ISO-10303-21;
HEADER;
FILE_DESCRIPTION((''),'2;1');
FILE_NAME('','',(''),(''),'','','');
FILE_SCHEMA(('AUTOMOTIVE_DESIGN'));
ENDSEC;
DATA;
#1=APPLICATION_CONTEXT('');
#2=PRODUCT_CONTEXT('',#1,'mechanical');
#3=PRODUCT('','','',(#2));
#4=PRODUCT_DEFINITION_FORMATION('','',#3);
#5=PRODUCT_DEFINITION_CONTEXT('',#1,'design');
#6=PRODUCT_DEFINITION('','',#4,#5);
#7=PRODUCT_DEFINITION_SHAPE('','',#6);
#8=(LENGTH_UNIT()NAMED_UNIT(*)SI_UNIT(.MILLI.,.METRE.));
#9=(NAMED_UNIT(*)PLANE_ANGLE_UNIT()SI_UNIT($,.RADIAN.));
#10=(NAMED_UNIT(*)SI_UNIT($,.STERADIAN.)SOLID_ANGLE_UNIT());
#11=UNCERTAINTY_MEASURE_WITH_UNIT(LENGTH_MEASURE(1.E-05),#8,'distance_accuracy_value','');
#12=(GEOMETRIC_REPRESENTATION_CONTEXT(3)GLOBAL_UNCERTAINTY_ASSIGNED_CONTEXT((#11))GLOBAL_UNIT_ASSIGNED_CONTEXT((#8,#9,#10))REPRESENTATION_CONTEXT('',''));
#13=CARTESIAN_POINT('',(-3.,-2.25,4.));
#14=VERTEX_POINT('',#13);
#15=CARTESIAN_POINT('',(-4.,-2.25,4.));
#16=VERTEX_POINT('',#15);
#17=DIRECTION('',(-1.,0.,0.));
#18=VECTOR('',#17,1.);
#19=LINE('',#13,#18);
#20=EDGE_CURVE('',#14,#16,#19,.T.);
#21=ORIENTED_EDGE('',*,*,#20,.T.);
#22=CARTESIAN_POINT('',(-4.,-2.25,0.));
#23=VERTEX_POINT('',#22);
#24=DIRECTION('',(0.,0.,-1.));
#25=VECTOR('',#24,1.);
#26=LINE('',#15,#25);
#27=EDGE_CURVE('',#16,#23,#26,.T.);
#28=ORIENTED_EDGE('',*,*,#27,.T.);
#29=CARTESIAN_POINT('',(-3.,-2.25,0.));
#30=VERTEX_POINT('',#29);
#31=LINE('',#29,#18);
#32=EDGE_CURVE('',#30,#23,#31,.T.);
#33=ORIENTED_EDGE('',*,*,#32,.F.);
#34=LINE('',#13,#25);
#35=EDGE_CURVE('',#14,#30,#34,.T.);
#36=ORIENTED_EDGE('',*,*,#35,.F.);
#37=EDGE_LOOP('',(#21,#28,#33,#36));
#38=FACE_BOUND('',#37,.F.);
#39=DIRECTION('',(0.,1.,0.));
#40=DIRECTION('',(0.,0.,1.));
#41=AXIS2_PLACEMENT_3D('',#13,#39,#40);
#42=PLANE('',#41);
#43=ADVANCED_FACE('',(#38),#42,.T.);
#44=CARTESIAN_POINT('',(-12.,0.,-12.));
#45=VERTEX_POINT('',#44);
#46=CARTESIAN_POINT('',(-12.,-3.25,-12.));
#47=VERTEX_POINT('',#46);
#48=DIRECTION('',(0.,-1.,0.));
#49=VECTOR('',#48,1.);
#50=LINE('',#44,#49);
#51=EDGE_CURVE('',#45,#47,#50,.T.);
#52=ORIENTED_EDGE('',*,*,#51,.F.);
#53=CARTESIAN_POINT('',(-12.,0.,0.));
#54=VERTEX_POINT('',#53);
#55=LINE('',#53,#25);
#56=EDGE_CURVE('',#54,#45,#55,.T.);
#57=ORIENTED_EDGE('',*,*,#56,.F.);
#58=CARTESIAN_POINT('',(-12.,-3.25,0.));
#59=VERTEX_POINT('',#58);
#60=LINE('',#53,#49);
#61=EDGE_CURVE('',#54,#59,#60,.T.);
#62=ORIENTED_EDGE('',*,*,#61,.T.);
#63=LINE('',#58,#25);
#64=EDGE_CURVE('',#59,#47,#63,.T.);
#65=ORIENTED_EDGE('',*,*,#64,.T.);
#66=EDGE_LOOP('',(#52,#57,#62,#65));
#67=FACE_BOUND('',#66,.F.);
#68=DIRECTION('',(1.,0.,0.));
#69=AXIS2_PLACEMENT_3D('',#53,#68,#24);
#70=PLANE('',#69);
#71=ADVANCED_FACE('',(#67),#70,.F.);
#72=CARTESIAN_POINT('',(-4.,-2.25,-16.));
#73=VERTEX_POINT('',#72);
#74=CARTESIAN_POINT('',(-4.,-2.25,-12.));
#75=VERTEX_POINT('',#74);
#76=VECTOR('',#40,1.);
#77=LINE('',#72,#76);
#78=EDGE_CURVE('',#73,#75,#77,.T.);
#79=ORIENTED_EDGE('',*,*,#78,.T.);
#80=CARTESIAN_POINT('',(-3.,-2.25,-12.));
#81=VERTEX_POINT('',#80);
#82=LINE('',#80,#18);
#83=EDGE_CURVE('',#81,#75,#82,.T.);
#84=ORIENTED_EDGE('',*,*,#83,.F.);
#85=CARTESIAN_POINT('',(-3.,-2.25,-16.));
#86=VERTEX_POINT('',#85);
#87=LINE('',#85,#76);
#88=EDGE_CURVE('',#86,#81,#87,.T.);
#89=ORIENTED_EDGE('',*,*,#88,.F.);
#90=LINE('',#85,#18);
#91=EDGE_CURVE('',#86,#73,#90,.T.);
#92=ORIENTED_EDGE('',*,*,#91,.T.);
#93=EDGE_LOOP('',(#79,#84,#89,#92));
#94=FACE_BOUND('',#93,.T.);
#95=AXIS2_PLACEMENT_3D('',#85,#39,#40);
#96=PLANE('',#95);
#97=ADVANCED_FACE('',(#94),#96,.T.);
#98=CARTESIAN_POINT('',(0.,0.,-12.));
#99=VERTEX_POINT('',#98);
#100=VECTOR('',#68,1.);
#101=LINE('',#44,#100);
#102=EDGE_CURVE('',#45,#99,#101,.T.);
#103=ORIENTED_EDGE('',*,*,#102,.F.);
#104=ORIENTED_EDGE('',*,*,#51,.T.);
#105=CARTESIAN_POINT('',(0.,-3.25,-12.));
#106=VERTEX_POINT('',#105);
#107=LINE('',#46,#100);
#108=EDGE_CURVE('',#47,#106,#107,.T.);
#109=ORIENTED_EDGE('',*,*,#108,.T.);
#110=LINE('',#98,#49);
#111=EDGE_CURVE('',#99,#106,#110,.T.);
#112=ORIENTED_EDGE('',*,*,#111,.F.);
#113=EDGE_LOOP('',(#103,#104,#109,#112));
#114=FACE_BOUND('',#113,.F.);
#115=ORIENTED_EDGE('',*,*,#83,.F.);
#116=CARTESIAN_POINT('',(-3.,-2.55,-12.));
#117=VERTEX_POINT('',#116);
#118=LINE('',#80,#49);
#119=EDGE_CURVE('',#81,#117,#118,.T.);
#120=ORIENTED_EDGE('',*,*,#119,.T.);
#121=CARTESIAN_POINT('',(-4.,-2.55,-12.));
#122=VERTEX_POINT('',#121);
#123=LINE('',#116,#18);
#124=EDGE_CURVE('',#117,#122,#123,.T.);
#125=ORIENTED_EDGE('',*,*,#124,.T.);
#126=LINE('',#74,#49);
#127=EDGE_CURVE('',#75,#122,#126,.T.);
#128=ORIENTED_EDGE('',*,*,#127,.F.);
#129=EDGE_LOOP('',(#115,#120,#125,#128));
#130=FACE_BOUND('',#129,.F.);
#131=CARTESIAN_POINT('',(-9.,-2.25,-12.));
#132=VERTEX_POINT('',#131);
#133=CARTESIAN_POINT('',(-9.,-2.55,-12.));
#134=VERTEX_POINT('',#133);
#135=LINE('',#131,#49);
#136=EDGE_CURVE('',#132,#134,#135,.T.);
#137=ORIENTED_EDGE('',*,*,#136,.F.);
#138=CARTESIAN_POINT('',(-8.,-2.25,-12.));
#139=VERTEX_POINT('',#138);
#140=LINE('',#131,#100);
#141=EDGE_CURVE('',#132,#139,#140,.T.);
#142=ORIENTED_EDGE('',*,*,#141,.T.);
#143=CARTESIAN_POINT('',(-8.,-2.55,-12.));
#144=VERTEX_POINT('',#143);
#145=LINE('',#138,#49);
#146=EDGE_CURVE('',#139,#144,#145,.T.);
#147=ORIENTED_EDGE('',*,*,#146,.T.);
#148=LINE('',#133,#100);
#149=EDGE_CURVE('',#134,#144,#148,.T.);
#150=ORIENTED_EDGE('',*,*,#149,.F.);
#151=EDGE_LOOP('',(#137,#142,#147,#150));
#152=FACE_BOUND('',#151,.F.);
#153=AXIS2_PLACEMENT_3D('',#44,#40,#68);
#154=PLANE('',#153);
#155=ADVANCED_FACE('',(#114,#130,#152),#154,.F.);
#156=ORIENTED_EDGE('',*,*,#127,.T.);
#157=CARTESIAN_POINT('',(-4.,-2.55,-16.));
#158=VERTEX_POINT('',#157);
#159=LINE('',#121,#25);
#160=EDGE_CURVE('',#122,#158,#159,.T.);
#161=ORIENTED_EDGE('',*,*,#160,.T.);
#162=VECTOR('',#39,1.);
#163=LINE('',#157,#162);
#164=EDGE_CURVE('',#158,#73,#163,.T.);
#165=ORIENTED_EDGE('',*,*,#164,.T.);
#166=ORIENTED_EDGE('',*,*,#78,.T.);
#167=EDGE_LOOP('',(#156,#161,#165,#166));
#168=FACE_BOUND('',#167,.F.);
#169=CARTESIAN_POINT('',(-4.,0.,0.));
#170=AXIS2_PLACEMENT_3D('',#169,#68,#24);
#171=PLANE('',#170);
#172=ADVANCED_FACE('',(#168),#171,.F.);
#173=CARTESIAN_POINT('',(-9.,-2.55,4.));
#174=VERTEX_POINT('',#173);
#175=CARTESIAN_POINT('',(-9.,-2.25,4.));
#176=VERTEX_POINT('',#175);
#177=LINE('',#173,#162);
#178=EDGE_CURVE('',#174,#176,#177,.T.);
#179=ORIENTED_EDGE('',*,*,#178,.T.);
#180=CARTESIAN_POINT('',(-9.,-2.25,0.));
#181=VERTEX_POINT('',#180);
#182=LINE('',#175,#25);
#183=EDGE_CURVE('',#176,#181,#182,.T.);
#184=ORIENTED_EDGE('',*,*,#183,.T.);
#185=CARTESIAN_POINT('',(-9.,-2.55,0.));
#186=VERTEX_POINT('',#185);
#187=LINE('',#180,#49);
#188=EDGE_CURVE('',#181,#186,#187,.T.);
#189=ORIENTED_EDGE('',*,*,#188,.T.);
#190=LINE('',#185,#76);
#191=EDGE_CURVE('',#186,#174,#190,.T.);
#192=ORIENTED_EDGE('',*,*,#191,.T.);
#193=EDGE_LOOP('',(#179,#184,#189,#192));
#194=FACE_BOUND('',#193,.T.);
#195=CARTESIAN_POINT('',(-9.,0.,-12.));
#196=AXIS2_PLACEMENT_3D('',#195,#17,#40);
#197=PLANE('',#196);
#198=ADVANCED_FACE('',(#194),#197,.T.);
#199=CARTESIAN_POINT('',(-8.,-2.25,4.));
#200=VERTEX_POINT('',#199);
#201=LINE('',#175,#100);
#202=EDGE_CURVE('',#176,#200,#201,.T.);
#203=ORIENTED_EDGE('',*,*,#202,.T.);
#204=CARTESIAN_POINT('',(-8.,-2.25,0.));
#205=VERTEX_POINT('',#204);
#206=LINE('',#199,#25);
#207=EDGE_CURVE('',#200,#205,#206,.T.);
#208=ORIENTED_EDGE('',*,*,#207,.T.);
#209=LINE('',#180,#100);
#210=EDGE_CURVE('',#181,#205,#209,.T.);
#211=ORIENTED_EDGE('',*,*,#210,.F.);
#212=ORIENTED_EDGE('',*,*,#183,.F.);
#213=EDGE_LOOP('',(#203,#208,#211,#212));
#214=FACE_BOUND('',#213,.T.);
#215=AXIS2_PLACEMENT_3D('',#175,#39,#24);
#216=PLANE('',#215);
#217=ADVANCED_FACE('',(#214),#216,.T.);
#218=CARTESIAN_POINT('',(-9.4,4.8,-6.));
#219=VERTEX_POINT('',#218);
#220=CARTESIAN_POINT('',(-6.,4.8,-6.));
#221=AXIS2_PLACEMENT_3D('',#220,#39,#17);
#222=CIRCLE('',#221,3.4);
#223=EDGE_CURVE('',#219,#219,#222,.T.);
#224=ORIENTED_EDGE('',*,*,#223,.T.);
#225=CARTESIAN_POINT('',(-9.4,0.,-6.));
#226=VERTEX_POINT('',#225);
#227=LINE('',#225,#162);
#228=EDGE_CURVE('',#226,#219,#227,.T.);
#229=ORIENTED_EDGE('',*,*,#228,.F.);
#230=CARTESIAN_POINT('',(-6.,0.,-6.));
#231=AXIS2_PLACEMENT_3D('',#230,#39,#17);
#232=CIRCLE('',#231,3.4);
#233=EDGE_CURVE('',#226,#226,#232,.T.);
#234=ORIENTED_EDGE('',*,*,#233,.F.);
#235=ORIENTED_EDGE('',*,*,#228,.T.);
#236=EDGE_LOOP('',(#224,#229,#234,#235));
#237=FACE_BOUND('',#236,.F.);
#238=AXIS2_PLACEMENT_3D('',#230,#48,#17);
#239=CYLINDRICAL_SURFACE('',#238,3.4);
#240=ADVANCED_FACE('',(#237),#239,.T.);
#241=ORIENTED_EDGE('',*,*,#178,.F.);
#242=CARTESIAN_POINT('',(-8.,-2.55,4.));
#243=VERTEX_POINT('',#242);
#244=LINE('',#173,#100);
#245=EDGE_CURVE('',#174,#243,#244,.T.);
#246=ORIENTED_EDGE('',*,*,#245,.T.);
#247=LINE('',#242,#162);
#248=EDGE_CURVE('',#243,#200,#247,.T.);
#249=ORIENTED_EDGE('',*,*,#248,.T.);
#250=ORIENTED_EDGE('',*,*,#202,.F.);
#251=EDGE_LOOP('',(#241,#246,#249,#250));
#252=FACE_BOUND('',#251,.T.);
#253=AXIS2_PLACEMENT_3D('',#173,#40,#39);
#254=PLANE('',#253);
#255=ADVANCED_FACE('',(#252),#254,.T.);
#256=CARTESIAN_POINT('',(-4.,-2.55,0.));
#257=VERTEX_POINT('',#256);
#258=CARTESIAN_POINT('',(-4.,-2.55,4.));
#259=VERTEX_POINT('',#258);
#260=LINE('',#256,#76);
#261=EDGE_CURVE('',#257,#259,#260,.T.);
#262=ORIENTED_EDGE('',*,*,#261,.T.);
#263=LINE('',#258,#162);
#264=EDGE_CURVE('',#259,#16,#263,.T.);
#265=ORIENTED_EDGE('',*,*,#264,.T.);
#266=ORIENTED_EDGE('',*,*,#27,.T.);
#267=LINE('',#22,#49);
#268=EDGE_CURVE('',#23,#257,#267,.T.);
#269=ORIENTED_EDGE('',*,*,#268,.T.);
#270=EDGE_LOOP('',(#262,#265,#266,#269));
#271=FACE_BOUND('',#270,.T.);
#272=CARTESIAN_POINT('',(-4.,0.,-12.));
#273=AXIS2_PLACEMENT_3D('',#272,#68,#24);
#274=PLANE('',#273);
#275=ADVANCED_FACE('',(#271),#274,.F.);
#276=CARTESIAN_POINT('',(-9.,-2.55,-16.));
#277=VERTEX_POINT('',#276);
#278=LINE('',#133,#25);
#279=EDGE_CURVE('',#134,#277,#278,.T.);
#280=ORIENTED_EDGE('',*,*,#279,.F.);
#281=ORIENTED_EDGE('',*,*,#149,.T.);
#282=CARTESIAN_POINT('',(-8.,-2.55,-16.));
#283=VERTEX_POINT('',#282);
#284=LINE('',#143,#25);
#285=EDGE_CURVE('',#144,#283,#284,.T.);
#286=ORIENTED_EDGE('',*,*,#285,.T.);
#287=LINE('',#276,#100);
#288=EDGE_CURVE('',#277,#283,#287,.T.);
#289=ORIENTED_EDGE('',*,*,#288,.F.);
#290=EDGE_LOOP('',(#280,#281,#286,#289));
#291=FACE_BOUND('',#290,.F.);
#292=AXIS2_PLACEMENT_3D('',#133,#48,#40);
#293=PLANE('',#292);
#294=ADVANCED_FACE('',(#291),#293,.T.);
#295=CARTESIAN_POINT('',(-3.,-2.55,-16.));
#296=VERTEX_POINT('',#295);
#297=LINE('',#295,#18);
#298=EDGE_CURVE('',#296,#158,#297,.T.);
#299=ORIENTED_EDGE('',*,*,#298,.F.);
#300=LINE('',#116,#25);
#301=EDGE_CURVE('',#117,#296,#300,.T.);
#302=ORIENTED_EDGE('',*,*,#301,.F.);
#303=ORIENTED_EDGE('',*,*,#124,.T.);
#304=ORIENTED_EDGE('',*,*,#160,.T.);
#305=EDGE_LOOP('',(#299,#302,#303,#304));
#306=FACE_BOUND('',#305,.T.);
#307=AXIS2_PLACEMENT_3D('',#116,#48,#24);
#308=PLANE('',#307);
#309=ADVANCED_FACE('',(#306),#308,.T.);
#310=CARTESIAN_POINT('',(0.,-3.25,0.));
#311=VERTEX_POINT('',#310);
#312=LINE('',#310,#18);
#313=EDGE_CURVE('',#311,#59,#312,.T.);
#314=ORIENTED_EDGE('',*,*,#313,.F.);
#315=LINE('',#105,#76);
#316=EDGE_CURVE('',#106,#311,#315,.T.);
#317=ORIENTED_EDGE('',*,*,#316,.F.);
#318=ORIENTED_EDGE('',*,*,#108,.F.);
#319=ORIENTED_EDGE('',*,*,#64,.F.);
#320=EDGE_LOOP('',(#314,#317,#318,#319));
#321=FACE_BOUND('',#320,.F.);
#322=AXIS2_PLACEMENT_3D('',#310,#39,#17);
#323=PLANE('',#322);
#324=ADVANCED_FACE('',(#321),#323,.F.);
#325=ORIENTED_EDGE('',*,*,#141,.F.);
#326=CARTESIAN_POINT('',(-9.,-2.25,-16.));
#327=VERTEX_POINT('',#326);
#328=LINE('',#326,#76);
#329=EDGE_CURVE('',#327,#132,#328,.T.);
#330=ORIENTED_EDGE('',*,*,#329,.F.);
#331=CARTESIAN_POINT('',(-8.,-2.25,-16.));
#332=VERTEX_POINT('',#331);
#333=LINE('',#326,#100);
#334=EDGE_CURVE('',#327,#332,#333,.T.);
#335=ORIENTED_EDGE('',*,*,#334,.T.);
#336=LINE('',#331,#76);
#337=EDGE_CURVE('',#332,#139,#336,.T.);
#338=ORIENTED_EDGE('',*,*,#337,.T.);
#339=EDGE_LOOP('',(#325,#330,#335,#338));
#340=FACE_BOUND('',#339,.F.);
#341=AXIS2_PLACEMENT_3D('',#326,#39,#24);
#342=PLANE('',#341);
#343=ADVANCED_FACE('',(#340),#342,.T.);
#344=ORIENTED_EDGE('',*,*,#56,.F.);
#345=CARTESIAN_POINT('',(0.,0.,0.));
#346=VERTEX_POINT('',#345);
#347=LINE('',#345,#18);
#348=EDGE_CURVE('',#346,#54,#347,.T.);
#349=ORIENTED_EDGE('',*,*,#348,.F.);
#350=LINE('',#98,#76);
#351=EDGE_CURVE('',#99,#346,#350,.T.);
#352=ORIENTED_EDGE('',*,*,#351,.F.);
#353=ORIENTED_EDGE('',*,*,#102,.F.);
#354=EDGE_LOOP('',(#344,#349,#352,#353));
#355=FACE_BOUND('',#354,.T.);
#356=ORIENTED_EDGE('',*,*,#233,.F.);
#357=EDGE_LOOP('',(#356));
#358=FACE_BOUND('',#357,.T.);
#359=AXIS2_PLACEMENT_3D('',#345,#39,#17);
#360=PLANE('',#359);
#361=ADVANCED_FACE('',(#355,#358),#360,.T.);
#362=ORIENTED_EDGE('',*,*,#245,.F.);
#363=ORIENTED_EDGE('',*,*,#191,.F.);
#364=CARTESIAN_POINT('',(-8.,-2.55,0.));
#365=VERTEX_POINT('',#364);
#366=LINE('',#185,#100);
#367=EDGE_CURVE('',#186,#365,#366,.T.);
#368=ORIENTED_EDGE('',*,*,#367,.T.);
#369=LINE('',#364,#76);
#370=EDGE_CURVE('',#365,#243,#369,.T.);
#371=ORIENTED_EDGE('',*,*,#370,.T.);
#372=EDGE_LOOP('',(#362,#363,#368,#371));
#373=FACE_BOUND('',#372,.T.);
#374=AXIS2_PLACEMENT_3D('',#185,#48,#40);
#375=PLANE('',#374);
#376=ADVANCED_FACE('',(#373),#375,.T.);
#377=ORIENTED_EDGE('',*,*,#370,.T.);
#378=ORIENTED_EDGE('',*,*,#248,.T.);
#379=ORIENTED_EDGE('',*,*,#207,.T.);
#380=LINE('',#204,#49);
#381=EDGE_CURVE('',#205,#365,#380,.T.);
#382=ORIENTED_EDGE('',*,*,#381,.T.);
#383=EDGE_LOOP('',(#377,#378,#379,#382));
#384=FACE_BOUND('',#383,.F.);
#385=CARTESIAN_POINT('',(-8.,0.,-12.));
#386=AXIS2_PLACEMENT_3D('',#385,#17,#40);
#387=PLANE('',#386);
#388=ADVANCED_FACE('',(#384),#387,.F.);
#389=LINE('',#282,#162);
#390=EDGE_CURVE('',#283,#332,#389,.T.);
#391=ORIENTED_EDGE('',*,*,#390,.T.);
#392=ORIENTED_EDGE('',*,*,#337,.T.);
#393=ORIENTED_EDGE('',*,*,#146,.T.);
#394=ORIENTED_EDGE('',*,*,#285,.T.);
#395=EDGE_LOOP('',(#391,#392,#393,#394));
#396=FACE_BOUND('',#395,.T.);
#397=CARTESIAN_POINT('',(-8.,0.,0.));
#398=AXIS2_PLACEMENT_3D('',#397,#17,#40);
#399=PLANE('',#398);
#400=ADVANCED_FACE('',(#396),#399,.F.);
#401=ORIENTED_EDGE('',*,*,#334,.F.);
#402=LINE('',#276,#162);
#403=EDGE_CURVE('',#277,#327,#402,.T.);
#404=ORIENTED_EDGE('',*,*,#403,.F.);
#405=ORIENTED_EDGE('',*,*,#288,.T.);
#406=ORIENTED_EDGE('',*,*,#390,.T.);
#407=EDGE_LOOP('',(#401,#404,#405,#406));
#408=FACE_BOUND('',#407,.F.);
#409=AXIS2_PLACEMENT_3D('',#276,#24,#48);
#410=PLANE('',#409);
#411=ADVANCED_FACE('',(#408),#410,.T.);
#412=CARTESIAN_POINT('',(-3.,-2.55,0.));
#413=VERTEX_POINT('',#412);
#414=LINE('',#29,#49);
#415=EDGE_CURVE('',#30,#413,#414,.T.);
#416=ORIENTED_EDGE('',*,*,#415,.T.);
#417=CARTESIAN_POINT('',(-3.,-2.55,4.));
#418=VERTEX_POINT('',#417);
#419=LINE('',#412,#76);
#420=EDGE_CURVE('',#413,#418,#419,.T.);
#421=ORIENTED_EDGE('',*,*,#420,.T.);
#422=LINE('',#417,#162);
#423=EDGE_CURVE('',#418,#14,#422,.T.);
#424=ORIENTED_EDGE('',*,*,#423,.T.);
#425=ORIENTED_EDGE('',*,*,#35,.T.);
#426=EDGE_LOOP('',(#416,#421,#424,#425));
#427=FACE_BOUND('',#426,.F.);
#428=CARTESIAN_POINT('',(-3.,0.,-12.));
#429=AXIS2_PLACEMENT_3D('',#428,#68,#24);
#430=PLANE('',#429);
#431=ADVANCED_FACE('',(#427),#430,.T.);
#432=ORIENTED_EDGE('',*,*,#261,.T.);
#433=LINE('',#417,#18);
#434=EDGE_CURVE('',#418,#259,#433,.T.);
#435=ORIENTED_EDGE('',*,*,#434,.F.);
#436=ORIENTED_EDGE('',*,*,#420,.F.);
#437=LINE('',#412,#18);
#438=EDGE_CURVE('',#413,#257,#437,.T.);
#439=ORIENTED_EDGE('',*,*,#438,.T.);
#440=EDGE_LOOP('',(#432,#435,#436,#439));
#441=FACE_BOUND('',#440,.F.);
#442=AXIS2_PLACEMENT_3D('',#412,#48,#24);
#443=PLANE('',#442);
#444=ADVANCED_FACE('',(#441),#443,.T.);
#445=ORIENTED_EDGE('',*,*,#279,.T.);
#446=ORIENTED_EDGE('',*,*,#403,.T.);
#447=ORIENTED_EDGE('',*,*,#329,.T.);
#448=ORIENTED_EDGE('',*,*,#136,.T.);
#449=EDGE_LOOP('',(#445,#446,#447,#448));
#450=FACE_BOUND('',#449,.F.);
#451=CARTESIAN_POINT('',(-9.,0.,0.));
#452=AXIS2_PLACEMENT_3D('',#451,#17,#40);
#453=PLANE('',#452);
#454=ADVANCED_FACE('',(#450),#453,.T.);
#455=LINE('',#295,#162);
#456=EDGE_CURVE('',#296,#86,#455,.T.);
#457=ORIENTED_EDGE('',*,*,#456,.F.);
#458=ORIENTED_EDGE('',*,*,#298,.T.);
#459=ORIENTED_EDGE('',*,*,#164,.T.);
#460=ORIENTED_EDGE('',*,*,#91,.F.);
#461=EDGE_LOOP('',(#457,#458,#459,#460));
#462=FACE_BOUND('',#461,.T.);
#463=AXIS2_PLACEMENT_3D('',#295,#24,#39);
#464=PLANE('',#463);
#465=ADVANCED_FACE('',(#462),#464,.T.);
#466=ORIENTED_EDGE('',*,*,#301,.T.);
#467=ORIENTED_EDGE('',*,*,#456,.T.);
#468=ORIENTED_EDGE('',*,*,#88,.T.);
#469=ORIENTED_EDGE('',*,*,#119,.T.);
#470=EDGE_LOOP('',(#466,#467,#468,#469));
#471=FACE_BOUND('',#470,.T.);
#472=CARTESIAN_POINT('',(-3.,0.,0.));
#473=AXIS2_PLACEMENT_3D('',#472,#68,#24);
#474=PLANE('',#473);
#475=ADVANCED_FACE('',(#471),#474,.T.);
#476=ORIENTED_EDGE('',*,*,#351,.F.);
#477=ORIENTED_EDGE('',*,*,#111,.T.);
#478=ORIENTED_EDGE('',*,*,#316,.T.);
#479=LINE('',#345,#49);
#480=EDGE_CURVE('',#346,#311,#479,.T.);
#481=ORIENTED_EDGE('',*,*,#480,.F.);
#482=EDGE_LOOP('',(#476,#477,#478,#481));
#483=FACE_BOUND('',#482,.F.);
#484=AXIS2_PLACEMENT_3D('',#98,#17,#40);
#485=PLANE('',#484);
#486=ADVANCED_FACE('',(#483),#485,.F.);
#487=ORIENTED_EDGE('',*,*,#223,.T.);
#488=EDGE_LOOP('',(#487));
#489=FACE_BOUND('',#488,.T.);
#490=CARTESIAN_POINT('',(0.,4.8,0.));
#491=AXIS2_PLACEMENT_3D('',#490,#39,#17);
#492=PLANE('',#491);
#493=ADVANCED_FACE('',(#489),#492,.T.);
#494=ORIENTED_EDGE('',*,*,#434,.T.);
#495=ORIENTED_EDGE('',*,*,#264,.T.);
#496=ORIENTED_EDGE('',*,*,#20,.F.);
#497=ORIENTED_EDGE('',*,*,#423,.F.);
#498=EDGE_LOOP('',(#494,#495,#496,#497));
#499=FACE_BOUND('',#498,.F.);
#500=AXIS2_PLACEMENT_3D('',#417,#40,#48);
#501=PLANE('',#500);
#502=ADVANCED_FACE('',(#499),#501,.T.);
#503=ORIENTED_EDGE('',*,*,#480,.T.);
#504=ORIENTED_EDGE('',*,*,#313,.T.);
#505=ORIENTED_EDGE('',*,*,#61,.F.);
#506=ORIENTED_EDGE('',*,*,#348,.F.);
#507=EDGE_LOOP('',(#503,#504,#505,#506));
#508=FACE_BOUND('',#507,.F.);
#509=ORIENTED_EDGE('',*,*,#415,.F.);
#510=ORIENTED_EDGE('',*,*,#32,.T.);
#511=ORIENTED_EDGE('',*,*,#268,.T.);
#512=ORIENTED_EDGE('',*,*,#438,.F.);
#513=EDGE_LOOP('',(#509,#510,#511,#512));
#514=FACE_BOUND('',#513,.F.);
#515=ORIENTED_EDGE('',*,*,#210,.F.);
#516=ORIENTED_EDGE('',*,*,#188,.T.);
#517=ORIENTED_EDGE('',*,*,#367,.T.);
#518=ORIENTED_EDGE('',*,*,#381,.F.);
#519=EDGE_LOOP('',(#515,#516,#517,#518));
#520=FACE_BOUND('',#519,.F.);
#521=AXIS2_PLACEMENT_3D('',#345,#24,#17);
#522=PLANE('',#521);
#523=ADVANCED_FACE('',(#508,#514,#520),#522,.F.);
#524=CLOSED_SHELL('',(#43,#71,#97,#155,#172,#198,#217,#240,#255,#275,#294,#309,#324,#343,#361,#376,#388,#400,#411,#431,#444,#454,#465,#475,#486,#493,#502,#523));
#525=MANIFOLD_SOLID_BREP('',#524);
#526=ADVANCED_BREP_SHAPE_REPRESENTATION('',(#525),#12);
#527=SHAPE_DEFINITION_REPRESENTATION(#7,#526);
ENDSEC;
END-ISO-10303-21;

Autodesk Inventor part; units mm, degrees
ref_plane "YZ Plane" through (0, 0, 0) normal (1, 0, 0) x (0, 1, 0)
ref_plane "XZ Plane" through (0, 0, 0) normal (0, 1, 0) x (-1, 0, 0)
ref_plane "XY Plane" through (0, 0, 0) normal (0, 0, 1) x (1, 0, 0)
sketch "Sketch1" plane through (0, 0, 0) normal (0, 1, 0) x (-1, 0, 0)
  line L0 (12, -12) -> (0, -12)
  line L1 (0, -12) -> (0, 0)
  line L2 (0, 0) -> (12, 0)
  line L3 (12, 0) -> (12, -12)
  circle A0 centre (6, -6) radius 3.4
  line L4 (12, 0) -> (0, -12) construction
  point P0 (6, -6)
  dimension "d0" = 12
  dimension "d1" = 12
  dimension "d4" = 6.8
extrude "Extrusion1" add sketch "Sketch1" against normal blind 3.25 contours L0 L1 L2 L3 | A0
extrude "Extrusion2" add sketch "Sketch1" along normal blind 4.8 contours A0
ref_plane "Work Plane1" through (-3, 0, 0) normal (1, 0, 0) x (0, 0, -1)
sketch "Sketch2" plane through (-3, 0, 0) normal (1, 0, 0) x (0, 0, -1)
  line L0 (12, -3.25) -> (0, -3.25) projected
  line L1 (12, -2.55) -> (16, -2.55)
  line L2 (16, -2.55) -> (16, -2.25)
  line L3 (16, -2.25) -> (12, -2.25)
  line L4 (12, -2.25) -> (12, -2.55)
  line L5 (12, 0) -> (12, -3.25) projected
  point P0 (0, 0)
  dimension "d8" = 4
  dimension "d9" = 0.3
  dimension "d10" = 0.7
extrude "Extrusion3" add sketch "Sketch2" against normal blind 1
ref_plane "Work Plane2" through (-6, 0, 0) normal (1, 0, 0) x (0, 0, -1)
ref_plane "Work Plane3" through (0, 0, -6) normal (0, 0, -1) x (-1, 0, 0)
mirror "Mirror1" about plane through (-6, 0, 0) normal (1, 0, 0) of "Extrusion3"
mirror "Mirror2" about plane through (0, 0, -6) normal (0, 0, -1) of "Extrusion3", "Mirror1"
properties part number "Button"
